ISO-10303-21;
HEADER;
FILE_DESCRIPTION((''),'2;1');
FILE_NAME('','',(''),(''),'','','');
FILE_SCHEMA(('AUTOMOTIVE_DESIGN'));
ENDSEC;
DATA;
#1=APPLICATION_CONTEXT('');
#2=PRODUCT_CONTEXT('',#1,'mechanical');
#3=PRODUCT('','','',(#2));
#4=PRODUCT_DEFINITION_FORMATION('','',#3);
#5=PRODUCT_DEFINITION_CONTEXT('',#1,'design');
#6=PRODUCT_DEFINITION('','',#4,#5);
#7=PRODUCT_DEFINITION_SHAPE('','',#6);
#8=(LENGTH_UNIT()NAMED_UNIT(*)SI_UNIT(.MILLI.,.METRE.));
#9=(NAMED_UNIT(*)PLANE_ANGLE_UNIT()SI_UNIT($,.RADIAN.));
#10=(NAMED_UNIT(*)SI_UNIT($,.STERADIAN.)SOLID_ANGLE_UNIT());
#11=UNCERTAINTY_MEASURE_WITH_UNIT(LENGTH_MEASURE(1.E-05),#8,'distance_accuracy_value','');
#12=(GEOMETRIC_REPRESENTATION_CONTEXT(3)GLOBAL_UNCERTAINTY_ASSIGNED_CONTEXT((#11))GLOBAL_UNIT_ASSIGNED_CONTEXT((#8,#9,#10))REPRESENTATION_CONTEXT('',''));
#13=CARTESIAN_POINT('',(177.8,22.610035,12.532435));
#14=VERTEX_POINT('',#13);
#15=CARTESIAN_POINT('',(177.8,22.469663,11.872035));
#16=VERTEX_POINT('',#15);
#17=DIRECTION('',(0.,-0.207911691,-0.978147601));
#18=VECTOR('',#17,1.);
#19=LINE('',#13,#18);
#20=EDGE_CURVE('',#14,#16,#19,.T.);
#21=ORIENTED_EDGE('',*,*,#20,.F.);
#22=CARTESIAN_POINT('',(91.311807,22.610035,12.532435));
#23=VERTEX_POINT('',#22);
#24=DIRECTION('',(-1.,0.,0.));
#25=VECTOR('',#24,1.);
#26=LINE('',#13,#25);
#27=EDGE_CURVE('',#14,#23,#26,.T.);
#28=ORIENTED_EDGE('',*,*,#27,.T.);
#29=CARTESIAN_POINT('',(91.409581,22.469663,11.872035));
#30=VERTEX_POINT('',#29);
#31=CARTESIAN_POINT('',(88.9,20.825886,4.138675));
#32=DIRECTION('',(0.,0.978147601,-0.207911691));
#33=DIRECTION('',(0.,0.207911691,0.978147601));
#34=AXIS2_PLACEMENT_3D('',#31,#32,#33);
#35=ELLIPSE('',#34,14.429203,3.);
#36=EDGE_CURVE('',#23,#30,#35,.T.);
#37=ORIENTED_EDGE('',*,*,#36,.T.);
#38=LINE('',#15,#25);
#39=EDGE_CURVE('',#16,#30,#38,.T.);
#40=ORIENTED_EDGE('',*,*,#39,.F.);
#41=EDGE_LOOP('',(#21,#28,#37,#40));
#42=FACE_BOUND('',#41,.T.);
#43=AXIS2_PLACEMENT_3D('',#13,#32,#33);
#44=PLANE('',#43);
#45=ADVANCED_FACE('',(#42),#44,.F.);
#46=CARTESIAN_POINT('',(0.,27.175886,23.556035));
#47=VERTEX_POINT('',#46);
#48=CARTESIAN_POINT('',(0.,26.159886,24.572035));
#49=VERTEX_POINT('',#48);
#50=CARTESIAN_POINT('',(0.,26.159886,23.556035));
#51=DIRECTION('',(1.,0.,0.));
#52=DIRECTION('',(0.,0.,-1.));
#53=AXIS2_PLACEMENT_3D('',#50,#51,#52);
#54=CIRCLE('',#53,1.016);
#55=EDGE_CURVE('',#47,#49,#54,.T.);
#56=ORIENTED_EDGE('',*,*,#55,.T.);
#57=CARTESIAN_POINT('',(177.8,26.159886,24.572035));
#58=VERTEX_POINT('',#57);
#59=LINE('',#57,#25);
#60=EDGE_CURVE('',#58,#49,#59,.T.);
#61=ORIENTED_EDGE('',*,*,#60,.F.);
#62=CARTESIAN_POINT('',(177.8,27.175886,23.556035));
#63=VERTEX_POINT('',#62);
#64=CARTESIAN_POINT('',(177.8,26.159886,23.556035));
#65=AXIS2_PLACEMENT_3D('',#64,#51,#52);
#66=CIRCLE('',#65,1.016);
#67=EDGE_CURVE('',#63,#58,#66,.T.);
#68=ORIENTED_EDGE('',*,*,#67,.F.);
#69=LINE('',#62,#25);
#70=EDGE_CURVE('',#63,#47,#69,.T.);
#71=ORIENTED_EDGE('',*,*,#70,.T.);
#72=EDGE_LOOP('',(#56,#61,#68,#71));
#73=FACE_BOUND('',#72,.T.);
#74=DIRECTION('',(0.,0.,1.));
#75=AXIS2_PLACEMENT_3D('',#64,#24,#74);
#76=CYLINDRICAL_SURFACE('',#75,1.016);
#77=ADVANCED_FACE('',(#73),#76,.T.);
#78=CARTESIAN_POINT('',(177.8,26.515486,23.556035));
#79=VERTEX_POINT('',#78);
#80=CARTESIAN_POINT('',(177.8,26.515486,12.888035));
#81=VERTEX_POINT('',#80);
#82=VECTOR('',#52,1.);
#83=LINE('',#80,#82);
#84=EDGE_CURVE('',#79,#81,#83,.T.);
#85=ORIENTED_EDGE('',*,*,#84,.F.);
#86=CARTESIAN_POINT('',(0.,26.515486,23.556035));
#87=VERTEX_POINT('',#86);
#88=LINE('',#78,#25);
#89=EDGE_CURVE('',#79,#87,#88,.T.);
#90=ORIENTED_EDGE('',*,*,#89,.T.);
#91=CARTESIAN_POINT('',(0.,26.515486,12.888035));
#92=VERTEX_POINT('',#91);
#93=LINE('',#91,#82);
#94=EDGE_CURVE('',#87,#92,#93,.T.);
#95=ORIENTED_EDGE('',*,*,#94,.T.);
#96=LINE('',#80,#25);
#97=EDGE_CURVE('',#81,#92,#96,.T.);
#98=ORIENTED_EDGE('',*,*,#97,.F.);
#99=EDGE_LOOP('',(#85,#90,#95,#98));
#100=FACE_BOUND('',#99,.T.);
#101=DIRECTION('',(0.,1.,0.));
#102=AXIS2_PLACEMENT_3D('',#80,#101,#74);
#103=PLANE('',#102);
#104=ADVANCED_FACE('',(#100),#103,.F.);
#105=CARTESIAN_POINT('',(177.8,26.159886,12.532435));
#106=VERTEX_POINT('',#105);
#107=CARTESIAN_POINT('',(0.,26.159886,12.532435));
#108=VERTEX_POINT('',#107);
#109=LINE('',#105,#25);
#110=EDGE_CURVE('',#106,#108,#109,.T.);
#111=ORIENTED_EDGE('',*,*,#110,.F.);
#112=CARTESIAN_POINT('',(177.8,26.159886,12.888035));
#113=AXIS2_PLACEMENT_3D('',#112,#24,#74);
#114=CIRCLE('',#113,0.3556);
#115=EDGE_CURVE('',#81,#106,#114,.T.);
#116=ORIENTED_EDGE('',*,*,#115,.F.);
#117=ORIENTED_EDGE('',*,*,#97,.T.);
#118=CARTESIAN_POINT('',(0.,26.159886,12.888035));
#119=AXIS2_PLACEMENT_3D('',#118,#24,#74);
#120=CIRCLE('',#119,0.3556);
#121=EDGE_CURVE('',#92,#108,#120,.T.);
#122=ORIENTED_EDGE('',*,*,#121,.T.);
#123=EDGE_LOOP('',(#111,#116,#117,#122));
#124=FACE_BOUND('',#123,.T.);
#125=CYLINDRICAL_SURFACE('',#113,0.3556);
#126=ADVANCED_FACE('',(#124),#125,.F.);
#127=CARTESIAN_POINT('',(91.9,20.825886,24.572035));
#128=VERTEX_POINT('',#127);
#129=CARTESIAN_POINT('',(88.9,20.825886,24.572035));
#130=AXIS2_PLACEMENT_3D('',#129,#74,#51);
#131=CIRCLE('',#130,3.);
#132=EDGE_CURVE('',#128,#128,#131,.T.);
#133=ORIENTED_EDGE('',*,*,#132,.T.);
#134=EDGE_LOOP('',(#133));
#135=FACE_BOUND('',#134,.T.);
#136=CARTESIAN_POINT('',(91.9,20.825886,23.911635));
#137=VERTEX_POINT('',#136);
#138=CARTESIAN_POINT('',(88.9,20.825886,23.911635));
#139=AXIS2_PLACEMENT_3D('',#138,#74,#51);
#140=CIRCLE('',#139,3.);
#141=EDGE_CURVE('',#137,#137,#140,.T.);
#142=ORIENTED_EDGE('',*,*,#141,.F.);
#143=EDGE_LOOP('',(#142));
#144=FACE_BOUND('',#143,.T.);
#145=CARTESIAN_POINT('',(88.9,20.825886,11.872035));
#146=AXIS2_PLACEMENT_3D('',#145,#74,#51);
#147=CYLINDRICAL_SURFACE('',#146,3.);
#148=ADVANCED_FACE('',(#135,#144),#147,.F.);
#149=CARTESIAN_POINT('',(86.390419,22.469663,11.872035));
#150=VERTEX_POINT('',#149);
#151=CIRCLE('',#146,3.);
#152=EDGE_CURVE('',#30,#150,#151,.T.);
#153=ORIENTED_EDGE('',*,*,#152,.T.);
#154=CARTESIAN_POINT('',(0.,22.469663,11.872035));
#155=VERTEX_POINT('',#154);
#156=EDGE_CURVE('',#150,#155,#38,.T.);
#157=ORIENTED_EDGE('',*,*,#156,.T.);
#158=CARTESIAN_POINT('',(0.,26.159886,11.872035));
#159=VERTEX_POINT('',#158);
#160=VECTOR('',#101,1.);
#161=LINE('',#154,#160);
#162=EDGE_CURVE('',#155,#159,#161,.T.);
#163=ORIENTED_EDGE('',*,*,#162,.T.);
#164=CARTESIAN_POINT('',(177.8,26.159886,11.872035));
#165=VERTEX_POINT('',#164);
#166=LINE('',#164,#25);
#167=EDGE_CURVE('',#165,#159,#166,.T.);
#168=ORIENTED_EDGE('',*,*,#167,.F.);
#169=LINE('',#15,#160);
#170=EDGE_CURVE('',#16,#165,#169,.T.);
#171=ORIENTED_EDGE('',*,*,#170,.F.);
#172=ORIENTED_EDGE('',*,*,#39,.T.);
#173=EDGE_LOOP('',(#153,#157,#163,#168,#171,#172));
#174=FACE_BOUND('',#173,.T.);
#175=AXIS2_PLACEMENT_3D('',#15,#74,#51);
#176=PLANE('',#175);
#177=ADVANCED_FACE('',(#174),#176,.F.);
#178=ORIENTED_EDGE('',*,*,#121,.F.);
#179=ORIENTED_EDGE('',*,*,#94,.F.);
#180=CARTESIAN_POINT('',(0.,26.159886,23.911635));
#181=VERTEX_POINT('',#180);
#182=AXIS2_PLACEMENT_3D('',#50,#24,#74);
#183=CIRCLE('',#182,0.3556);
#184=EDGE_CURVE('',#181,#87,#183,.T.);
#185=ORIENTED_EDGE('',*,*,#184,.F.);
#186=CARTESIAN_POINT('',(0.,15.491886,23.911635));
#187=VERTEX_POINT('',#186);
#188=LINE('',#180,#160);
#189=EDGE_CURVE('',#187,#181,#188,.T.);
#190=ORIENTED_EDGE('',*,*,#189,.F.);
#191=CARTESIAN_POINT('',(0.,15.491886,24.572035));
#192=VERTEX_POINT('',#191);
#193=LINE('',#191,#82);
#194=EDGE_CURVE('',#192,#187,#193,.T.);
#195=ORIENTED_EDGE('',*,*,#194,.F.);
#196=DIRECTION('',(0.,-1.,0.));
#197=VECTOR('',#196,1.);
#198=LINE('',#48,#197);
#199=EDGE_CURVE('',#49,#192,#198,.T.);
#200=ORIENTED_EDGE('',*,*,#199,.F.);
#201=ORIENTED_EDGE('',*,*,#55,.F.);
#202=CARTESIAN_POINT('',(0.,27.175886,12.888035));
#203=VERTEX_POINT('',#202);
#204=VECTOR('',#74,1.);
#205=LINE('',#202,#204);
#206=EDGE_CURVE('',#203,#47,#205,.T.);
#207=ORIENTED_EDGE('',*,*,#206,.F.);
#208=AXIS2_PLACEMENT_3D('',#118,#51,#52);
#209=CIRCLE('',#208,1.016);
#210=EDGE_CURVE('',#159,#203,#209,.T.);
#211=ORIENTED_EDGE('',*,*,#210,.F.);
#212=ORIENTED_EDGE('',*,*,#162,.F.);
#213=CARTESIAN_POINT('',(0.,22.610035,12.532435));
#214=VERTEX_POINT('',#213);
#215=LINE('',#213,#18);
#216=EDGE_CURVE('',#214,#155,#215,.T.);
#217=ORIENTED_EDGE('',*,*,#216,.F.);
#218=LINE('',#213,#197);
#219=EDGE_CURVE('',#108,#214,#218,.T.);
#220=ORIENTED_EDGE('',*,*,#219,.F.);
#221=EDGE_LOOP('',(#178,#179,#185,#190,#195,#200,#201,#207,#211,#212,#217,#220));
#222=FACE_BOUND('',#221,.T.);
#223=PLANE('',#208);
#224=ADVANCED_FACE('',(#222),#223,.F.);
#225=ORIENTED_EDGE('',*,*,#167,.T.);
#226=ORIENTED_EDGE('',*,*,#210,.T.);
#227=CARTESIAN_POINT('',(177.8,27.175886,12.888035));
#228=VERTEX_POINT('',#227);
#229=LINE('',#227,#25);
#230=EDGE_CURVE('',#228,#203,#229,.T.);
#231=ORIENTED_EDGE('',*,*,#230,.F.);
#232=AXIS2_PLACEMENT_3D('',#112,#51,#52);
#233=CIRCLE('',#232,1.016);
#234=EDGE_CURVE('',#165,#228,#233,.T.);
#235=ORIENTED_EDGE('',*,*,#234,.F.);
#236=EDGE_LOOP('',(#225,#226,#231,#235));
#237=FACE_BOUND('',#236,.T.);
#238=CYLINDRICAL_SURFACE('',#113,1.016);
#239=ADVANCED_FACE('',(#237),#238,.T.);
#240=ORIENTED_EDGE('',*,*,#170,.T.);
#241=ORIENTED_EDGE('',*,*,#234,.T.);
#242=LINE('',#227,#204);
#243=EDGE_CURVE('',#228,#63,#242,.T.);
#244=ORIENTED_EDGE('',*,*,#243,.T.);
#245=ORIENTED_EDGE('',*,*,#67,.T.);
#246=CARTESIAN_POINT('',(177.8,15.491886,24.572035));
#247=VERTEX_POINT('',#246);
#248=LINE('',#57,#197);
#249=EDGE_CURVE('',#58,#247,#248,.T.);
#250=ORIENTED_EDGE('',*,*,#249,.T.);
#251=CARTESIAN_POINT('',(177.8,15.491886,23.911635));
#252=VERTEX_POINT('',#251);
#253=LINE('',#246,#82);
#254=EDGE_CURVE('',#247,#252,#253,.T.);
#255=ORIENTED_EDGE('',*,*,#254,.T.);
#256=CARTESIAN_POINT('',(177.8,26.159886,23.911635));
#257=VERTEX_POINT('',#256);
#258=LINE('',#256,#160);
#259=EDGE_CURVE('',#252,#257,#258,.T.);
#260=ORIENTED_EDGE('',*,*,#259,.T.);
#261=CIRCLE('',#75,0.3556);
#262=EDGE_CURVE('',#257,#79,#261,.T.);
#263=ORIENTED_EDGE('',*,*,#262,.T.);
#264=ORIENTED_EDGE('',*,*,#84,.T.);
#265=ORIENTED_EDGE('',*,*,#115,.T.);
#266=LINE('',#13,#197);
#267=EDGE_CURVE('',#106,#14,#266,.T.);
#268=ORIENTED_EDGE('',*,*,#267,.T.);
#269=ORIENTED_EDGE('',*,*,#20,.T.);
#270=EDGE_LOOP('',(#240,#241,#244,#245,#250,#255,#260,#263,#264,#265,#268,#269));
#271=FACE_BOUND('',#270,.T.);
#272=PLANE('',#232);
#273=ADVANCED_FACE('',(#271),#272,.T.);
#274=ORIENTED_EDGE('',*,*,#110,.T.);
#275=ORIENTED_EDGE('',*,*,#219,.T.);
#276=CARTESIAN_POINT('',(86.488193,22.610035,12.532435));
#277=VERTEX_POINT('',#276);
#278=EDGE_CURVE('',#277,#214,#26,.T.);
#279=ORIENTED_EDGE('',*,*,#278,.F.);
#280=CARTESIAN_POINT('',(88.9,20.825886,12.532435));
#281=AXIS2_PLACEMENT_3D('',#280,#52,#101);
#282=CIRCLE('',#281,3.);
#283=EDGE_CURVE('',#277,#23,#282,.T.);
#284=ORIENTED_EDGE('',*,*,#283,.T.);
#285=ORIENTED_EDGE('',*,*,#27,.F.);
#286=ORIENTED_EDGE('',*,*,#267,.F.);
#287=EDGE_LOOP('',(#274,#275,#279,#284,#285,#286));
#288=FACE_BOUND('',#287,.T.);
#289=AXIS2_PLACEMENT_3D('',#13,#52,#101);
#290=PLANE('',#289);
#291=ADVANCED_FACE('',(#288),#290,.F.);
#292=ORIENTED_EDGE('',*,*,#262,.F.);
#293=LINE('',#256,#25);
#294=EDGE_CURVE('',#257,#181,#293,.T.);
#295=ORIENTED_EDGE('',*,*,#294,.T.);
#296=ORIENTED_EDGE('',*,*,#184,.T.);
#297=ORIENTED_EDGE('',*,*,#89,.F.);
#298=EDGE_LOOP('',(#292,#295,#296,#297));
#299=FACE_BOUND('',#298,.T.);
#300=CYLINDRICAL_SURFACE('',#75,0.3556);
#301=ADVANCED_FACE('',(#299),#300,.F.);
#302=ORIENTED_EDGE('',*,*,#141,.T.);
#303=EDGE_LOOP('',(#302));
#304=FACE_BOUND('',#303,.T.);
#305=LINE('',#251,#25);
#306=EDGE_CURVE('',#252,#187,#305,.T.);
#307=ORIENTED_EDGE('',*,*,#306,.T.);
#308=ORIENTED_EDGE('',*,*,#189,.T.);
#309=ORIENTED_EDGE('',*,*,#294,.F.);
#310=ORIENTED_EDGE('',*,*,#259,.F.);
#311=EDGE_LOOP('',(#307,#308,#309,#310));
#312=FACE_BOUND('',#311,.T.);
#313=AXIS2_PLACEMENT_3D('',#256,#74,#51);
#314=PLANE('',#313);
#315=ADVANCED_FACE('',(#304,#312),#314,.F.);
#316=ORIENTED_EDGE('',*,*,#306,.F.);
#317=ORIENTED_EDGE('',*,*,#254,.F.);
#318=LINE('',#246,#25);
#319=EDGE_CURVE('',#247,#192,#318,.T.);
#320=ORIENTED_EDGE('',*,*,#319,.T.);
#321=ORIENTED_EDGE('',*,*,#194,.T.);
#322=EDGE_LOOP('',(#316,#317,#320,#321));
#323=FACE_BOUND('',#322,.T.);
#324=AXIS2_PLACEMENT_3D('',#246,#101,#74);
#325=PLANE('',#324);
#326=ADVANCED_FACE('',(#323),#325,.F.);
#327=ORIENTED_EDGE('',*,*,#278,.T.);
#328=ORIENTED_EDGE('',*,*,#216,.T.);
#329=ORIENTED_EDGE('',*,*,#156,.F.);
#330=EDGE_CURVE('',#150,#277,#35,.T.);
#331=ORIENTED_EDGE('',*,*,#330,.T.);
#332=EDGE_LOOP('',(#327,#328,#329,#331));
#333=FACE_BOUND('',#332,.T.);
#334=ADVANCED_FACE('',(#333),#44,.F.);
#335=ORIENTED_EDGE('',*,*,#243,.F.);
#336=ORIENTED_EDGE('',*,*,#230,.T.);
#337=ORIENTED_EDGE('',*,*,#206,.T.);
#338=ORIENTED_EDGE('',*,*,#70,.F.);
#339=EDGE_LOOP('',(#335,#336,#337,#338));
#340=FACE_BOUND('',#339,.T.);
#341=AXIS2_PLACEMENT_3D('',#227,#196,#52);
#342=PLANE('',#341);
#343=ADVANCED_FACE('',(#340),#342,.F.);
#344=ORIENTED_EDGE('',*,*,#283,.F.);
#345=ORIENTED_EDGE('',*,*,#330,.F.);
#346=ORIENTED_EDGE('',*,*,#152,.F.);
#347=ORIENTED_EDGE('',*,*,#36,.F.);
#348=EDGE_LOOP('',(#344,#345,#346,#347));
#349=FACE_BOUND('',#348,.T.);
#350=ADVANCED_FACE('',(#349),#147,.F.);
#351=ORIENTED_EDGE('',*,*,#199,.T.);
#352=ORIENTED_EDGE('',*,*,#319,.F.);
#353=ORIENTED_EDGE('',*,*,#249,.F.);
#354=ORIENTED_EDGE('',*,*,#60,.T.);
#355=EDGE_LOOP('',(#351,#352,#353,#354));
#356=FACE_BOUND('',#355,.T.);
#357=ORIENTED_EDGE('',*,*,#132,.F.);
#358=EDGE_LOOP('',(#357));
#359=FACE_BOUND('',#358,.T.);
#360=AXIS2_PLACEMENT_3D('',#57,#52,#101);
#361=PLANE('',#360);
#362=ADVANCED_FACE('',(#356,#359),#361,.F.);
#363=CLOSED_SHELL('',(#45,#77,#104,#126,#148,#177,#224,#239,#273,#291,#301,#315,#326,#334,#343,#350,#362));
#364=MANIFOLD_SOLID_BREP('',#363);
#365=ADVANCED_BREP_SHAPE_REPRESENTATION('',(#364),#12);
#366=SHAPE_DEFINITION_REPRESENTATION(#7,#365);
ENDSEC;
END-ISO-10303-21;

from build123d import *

# Parameters (mm, degrees)
BOSS_EXTRUDE1_DEPTH = 177.8
SCALE1_SCALE_X      = 1
SCALE1_SCALE_Y      = 0.4
SCALE1_SCALE_Z      = 0.4
SKETCH2_R           = 3
CUT_EXTRUDE1_DEPTH  = 181.312669663


with BuildPart() as part:
    # Sketch1 → Boss-Extrude1 (new body)
    with BuildSketch(Plane(origin=(0, 0, 0), x_dir=(0, 0, -1), z_dir=(1, 0, 0))):
        with BuildLine():
            Line((0, 19.984441283), (0, 29.21))
            ThreePointArc((0, 29.21), (-0.743948776, 31.006051224), (-2.54, 31.75))
            Line((-2.54, 31.75), (-29.21, 31.75))
            ThreePointArc((-29.21, 31.75), (-31.006051224, 31.006051224), (-31.75, 29.21))
            Line((-31.75, 29.21), (-31.75, 2.54))
            Line((-31.75, 2.54), (-30.099, 2.54))
            Line((-30.099, 2.54), (-30.099, 29.21))
            ThreePointArc((-30.099, 29.21), (-29.838617928, 29.838617928), (-29.21, 30.099))
            Line((-29.21, 30.099), (-2.54, 30.099))
            ThreePointArc((-2.54, 30.099), (-1.911382072, 29.838617928), (-1.651, 29.21))
            Line((-1.651, 29.21), (-1.651, 20.335372167))
            Line((-1.651, 20.335372167), (0, 19.984441283))
        make_face()
    extrude(amount=BOSS_EXTRUDE1_DEPTH)


with BuildPart() as part_1:
    # Scale1: scaled about (88.9, 24.126477206, 19.786725681)
    add(part.part.scale((SCALE1_SCALE_X, SCALE1_SCALE_Y, SCALE1_SCALE_Z), about=(88.9, 24.126477206, 19.786725681)))

    # Sketch2 → Cut-Extrude1 (cut, through all)
    with BuildSketch(Plane.XY.offset(24.572035408)):
        with Locations((88.9, 20.825886324)):
            Circle(SKETCH2_R)
    extrude(amount=-CUT_EXTRUDE1_DEPTH, mode=Mode.SUBTRACT)


solid = part_1.part
